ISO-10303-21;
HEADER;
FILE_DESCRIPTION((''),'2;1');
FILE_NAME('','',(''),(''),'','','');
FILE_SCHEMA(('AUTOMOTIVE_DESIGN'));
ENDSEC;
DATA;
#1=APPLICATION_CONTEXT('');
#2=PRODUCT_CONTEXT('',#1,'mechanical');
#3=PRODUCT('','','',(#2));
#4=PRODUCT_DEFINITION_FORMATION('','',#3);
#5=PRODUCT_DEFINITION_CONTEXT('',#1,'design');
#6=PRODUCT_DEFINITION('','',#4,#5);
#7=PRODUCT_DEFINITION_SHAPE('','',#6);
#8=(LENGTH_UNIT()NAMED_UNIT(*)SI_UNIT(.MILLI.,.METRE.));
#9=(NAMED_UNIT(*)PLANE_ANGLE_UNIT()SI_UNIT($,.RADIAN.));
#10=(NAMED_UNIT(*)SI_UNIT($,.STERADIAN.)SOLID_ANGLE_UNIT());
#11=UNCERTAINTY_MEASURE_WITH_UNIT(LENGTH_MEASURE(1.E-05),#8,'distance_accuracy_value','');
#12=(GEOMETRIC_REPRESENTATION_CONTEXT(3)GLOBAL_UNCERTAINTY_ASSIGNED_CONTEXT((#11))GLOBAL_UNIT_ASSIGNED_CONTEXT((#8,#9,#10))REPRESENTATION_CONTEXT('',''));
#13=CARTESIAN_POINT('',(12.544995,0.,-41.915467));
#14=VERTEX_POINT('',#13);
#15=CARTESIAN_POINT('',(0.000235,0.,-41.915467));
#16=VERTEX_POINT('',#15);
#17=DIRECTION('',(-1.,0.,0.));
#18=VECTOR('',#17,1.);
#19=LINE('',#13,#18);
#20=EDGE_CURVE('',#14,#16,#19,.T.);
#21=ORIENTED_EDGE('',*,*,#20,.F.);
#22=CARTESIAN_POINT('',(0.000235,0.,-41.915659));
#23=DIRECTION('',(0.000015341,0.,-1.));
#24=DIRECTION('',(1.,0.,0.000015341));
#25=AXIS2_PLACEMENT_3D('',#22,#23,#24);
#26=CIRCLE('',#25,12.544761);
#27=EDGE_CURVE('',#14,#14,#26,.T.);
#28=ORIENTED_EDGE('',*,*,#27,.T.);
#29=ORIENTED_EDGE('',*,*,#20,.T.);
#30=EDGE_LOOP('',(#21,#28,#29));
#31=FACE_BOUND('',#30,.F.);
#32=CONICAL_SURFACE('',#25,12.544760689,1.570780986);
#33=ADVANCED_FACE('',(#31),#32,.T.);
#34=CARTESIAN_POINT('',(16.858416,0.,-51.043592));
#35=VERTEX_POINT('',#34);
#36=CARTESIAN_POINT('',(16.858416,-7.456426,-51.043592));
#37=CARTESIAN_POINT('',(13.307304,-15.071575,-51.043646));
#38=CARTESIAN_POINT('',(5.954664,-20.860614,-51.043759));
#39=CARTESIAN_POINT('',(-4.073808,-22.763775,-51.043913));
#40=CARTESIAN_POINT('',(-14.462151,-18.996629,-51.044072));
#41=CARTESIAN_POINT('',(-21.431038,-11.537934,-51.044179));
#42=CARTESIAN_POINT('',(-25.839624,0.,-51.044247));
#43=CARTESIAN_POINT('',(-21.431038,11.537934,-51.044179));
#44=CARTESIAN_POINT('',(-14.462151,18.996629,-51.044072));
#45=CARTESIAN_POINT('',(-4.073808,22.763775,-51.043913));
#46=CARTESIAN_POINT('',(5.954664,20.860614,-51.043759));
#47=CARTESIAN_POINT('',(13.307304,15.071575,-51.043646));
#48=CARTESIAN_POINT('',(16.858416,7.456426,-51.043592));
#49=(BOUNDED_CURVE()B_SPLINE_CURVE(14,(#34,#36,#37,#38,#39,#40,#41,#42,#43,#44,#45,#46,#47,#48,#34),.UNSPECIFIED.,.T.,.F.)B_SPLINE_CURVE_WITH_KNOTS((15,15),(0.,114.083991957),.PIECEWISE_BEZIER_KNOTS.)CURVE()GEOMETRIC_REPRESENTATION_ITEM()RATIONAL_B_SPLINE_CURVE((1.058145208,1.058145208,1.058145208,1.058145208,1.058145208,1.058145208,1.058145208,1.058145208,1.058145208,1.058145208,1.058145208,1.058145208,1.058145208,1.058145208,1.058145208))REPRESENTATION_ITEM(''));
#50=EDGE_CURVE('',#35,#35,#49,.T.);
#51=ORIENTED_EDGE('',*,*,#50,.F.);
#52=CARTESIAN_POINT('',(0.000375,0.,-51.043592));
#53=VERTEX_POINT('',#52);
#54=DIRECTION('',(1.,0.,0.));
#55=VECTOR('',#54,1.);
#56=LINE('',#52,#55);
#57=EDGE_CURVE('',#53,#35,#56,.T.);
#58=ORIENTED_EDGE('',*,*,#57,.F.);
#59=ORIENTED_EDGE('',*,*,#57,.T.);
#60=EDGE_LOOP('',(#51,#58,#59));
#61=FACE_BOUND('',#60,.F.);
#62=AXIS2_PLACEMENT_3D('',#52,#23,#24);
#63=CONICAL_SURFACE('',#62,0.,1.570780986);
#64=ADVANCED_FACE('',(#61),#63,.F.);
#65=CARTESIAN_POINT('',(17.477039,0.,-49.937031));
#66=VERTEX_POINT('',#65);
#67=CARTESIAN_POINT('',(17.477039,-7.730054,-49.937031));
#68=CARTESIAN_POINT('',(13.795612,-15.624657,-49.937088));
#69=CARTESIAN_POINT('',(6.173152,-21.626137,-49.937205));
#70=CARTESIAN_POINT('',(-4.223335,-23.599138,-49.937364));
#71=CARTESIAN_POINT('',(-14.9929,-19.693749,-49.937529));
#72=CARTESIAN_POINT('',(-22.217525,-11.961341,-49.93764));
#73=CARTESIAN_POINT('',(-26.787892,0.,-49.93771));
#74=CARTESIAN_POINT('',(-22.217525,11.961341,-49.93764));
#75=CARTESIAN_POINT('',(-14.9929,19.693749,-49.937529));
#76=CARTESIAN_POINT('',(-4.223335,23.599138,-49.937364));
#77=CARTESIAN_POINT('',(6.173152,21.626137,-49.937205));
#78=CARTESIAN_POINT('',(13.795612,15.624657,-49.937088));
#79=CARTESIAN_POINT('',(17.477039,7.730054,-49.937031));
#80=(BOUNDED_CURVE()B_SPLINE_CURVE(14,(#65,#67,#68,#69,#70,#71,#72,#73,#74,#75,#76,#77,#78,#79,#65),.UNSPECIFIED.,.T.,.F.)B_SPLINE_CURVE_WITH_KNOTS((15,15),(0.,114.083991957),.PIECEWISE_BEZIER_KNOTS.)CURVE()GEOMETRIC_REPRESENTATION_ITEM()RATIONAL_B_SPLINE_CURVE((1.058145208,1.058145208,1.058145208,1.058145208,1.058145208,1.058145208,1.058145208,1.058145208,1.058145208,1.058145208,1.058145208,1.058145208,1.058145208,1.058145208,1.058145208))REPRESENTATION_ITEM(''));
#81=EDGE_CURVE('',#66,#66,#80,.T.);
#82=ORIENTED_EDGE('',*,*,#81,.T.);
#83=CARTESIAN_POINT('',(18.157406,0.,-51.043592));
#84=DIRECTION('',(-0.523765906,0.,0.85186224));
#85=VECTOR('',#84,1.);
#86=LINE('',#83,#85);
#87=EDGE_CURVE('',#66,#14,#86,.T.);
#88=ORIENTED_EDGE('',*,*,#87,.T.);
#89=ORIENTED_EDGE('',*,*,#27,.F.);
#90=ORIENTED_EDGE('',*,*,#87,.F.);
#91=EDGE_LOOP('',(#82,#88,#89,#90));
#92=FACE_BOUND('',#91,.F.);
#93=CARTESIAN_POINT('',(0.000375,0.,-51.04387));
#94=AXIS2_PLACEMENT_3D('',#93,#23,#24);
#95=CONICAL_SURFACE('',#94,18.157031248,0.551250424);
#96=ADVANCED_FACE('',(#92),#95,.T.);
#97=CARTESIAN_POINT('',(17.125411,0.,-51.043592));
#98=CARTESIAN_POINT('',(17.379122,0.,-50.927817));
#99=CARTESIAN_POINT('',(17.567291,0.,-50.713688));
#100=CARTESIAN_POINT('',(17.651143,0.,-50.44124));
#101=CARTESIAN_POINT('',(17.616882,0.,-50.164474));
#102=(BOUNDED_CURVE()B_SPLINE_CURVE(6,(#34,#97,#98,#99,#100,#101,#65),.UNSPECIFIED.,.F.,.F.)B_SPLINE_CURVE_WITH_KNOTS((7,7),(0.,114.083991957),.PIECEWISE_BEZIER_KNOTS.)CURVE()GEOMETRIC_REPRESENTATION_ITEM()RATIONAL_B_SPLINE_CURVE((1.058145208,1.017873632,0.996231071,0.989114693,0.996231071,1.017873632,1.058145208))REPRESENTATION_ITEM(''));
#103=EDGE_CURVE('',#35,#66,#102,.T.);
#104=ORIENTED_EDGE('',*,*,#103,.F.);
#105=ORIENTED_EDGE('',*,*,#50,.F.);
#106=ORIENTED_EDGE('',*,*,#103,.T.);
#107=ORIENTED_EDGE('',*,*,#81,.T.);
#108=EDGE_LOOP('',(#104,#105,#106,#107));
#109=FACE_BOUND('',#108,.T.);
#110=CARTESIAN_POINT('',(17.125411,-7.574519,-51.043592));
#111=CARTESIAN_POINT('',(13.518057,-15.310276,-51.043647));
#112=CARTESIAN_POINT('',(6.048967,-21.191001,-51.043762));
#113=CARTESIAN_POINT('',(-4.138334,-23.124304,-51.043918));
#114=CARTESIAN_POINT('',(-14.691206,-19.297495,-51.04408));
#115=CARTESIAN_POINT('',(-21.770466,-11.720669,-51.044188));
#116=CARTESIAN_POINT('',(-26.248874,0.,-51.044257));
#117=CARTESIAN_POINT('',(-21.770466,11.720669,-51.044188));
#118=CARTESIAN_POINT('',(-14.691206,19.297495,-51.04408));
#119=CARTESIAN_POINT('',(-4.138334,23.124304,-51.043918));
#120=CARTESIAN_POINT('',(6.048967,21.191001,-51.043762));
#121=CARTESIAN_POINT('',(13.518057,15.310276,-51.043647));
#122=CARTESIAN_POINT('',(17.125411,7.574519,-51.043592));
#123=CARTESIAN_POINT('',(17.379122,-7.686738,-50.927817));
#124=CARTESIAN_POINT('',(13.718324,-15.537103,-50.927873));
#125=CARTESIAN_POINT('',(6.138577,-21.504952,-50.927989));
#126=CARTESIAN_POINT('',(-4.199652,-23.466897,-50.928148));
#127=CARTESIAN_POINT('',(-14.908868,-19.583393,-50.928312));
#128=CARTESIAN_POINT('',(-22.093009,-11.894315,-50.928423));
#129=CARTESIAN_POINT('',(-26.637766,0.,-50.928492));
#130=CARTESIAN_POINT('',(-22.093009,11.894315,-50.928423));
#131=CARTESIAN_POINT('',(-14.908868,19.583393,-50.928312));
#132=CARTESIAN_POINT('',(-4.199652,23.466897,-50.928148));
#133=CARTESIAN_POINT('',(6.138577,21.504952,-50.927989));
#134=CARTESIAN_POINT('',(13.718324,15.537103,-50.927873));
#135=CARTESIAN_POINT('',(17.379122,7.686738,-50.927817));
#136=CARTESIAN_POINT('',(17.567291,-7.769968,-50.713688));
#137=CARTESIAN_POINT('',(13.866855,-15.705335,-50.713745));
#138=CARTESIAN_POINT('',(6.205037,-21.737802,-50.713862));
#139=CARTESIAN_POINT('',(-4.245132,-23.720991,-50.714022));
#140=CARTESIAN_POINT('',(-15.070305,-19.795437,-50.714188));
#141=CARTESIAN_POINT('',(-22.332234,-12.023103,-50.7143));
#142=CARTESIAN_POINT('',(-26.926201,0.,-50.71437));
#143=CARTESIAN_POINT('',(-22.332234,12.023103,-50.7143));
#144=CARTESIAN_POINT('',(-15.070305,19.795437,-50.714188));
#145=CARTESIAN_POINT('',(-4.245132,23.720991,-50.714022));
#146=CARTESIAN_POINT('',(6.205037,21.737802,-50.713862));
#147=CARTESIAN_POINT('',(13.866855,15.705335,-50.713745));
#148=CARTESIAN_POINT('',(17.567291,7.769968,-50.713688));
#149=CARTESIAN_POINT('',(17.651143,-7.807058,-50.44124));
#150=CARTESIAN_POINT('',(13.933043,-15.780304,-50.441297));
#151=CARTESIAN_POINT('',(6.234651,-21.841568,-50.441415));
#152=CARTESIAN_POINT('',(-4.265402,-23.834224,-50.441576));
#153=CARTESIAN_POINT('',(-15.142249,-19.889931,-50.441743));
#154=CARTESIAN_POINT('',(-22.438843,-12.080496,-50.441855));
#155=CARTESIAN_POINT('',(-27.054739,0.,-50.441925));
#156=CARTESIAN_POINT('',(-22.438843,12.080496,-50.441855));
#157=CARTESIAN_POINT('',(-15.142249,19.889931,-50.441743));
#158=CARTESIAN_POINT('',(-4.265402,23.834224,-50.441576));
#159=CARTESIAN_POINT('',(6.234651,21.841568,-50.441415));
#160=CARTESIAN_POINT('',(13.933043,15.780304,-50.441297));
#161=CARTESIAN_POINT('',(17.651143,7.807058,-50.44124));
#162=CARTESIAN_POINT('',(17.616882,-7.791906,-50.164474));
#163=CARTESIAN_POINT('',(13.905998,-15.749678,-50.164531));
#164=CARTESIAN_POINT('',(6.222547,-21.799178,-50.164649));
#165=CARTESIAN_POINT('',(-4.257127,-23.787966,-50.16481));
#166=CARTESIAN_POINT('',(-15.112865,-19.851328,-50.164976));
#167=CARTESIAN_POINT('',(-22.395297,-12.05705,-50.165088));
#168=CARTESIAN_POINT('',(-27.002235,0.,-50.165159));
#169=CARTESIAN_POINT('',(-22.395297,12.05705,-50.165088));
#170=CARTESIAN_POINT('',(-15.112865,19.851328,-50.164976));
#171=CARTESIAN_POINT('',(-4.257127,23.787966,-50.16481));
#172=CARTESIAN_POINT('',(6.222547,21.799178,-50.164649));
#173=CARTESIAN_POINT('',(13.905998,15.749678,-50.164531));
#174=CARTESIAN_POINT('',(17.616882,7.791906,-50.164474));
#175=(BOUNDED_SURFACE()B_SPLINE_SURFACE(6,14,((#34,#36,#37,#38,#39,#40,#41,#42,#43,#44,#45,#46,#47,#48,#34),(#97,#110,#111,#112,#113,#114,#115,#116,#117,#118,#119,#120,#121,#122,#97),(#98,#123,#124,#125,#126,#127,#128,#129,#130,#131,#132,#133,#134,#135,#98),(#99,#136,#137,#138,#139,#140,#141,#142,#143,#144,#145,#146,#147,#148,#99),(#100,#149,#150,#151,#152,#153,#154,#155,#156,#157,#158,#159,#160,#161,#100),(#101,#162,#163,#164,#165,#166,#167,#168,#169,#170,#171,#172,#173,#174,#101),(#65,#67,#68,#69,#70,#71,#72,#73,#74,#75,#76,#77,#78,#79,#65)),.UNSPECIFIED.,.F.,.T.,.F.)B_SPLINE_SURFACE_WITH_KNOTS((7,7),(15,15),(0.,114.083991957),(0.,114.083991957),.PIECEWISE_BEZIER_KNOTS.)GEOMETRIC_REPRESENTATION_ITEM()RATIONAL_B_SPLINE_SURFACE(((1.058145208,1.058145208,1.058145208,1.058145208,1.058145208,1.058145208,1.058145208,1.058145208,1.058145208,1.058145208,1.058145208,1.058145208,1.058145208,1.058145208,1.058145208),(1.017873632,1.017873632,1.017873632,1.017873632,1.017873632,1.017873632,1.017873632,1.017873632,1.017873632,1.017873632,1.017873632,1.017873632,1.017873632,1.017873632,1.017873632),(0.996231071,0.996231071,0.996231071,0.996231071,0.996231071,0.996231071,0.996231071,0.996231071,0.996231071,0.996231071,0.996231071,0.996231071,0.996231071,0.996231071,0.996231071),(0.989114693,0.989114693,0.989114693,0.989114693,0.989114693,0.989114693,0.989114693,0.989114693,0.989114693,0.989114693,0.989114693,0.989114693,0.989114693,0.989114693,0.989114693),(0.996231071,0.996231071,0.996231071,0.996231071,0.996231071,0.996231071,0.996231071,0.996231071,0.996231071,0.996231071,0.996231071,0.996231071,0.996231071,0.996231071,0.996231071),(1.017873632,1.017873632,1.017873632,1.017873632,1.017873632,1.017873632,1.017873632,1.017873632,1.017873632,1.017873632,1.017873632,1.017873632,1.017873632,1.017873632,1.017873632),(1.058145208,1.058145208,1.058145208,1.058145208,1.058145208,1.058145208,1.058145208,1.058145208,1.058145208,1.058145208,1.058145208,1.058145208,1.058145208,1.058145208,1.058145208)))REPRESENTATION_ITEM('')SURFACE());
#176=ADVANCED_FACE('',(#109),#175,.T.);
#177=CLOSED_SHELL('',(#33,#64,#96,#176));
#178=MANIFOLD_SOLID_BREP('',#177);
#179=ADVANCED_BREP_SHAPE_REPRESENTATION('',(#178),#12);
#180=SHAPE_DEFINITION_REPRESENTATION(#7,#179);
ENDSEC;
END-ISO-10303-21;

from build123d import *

# Parameters (mm, degrees)
F2_R = 0.7262009789


with BuildPart() as f1:
    # F0 (on Front) → F1 (revolve)
    with BuildSketch(Plane.XZ):
        Polygon((0.0002345588, -41.9154665844), (0.0003745902, -51.0435915844), (18.1574058402, -51.0435915844), (12.5449952487, -41.9154665844), align=None)
    revolve(axis=Axis((0.0003045745, 0, -46.4795290844), (1.53407e-05, 0, -0.9999999999)))

    # F2
    f2_edges = [f1.edges().sort_by_distance(p)[0] for p in [
        (-18.156657, 0, -51.044149),
    ]]
    fillet(f2_edges, radius=F2_R)


solid = f1.part
